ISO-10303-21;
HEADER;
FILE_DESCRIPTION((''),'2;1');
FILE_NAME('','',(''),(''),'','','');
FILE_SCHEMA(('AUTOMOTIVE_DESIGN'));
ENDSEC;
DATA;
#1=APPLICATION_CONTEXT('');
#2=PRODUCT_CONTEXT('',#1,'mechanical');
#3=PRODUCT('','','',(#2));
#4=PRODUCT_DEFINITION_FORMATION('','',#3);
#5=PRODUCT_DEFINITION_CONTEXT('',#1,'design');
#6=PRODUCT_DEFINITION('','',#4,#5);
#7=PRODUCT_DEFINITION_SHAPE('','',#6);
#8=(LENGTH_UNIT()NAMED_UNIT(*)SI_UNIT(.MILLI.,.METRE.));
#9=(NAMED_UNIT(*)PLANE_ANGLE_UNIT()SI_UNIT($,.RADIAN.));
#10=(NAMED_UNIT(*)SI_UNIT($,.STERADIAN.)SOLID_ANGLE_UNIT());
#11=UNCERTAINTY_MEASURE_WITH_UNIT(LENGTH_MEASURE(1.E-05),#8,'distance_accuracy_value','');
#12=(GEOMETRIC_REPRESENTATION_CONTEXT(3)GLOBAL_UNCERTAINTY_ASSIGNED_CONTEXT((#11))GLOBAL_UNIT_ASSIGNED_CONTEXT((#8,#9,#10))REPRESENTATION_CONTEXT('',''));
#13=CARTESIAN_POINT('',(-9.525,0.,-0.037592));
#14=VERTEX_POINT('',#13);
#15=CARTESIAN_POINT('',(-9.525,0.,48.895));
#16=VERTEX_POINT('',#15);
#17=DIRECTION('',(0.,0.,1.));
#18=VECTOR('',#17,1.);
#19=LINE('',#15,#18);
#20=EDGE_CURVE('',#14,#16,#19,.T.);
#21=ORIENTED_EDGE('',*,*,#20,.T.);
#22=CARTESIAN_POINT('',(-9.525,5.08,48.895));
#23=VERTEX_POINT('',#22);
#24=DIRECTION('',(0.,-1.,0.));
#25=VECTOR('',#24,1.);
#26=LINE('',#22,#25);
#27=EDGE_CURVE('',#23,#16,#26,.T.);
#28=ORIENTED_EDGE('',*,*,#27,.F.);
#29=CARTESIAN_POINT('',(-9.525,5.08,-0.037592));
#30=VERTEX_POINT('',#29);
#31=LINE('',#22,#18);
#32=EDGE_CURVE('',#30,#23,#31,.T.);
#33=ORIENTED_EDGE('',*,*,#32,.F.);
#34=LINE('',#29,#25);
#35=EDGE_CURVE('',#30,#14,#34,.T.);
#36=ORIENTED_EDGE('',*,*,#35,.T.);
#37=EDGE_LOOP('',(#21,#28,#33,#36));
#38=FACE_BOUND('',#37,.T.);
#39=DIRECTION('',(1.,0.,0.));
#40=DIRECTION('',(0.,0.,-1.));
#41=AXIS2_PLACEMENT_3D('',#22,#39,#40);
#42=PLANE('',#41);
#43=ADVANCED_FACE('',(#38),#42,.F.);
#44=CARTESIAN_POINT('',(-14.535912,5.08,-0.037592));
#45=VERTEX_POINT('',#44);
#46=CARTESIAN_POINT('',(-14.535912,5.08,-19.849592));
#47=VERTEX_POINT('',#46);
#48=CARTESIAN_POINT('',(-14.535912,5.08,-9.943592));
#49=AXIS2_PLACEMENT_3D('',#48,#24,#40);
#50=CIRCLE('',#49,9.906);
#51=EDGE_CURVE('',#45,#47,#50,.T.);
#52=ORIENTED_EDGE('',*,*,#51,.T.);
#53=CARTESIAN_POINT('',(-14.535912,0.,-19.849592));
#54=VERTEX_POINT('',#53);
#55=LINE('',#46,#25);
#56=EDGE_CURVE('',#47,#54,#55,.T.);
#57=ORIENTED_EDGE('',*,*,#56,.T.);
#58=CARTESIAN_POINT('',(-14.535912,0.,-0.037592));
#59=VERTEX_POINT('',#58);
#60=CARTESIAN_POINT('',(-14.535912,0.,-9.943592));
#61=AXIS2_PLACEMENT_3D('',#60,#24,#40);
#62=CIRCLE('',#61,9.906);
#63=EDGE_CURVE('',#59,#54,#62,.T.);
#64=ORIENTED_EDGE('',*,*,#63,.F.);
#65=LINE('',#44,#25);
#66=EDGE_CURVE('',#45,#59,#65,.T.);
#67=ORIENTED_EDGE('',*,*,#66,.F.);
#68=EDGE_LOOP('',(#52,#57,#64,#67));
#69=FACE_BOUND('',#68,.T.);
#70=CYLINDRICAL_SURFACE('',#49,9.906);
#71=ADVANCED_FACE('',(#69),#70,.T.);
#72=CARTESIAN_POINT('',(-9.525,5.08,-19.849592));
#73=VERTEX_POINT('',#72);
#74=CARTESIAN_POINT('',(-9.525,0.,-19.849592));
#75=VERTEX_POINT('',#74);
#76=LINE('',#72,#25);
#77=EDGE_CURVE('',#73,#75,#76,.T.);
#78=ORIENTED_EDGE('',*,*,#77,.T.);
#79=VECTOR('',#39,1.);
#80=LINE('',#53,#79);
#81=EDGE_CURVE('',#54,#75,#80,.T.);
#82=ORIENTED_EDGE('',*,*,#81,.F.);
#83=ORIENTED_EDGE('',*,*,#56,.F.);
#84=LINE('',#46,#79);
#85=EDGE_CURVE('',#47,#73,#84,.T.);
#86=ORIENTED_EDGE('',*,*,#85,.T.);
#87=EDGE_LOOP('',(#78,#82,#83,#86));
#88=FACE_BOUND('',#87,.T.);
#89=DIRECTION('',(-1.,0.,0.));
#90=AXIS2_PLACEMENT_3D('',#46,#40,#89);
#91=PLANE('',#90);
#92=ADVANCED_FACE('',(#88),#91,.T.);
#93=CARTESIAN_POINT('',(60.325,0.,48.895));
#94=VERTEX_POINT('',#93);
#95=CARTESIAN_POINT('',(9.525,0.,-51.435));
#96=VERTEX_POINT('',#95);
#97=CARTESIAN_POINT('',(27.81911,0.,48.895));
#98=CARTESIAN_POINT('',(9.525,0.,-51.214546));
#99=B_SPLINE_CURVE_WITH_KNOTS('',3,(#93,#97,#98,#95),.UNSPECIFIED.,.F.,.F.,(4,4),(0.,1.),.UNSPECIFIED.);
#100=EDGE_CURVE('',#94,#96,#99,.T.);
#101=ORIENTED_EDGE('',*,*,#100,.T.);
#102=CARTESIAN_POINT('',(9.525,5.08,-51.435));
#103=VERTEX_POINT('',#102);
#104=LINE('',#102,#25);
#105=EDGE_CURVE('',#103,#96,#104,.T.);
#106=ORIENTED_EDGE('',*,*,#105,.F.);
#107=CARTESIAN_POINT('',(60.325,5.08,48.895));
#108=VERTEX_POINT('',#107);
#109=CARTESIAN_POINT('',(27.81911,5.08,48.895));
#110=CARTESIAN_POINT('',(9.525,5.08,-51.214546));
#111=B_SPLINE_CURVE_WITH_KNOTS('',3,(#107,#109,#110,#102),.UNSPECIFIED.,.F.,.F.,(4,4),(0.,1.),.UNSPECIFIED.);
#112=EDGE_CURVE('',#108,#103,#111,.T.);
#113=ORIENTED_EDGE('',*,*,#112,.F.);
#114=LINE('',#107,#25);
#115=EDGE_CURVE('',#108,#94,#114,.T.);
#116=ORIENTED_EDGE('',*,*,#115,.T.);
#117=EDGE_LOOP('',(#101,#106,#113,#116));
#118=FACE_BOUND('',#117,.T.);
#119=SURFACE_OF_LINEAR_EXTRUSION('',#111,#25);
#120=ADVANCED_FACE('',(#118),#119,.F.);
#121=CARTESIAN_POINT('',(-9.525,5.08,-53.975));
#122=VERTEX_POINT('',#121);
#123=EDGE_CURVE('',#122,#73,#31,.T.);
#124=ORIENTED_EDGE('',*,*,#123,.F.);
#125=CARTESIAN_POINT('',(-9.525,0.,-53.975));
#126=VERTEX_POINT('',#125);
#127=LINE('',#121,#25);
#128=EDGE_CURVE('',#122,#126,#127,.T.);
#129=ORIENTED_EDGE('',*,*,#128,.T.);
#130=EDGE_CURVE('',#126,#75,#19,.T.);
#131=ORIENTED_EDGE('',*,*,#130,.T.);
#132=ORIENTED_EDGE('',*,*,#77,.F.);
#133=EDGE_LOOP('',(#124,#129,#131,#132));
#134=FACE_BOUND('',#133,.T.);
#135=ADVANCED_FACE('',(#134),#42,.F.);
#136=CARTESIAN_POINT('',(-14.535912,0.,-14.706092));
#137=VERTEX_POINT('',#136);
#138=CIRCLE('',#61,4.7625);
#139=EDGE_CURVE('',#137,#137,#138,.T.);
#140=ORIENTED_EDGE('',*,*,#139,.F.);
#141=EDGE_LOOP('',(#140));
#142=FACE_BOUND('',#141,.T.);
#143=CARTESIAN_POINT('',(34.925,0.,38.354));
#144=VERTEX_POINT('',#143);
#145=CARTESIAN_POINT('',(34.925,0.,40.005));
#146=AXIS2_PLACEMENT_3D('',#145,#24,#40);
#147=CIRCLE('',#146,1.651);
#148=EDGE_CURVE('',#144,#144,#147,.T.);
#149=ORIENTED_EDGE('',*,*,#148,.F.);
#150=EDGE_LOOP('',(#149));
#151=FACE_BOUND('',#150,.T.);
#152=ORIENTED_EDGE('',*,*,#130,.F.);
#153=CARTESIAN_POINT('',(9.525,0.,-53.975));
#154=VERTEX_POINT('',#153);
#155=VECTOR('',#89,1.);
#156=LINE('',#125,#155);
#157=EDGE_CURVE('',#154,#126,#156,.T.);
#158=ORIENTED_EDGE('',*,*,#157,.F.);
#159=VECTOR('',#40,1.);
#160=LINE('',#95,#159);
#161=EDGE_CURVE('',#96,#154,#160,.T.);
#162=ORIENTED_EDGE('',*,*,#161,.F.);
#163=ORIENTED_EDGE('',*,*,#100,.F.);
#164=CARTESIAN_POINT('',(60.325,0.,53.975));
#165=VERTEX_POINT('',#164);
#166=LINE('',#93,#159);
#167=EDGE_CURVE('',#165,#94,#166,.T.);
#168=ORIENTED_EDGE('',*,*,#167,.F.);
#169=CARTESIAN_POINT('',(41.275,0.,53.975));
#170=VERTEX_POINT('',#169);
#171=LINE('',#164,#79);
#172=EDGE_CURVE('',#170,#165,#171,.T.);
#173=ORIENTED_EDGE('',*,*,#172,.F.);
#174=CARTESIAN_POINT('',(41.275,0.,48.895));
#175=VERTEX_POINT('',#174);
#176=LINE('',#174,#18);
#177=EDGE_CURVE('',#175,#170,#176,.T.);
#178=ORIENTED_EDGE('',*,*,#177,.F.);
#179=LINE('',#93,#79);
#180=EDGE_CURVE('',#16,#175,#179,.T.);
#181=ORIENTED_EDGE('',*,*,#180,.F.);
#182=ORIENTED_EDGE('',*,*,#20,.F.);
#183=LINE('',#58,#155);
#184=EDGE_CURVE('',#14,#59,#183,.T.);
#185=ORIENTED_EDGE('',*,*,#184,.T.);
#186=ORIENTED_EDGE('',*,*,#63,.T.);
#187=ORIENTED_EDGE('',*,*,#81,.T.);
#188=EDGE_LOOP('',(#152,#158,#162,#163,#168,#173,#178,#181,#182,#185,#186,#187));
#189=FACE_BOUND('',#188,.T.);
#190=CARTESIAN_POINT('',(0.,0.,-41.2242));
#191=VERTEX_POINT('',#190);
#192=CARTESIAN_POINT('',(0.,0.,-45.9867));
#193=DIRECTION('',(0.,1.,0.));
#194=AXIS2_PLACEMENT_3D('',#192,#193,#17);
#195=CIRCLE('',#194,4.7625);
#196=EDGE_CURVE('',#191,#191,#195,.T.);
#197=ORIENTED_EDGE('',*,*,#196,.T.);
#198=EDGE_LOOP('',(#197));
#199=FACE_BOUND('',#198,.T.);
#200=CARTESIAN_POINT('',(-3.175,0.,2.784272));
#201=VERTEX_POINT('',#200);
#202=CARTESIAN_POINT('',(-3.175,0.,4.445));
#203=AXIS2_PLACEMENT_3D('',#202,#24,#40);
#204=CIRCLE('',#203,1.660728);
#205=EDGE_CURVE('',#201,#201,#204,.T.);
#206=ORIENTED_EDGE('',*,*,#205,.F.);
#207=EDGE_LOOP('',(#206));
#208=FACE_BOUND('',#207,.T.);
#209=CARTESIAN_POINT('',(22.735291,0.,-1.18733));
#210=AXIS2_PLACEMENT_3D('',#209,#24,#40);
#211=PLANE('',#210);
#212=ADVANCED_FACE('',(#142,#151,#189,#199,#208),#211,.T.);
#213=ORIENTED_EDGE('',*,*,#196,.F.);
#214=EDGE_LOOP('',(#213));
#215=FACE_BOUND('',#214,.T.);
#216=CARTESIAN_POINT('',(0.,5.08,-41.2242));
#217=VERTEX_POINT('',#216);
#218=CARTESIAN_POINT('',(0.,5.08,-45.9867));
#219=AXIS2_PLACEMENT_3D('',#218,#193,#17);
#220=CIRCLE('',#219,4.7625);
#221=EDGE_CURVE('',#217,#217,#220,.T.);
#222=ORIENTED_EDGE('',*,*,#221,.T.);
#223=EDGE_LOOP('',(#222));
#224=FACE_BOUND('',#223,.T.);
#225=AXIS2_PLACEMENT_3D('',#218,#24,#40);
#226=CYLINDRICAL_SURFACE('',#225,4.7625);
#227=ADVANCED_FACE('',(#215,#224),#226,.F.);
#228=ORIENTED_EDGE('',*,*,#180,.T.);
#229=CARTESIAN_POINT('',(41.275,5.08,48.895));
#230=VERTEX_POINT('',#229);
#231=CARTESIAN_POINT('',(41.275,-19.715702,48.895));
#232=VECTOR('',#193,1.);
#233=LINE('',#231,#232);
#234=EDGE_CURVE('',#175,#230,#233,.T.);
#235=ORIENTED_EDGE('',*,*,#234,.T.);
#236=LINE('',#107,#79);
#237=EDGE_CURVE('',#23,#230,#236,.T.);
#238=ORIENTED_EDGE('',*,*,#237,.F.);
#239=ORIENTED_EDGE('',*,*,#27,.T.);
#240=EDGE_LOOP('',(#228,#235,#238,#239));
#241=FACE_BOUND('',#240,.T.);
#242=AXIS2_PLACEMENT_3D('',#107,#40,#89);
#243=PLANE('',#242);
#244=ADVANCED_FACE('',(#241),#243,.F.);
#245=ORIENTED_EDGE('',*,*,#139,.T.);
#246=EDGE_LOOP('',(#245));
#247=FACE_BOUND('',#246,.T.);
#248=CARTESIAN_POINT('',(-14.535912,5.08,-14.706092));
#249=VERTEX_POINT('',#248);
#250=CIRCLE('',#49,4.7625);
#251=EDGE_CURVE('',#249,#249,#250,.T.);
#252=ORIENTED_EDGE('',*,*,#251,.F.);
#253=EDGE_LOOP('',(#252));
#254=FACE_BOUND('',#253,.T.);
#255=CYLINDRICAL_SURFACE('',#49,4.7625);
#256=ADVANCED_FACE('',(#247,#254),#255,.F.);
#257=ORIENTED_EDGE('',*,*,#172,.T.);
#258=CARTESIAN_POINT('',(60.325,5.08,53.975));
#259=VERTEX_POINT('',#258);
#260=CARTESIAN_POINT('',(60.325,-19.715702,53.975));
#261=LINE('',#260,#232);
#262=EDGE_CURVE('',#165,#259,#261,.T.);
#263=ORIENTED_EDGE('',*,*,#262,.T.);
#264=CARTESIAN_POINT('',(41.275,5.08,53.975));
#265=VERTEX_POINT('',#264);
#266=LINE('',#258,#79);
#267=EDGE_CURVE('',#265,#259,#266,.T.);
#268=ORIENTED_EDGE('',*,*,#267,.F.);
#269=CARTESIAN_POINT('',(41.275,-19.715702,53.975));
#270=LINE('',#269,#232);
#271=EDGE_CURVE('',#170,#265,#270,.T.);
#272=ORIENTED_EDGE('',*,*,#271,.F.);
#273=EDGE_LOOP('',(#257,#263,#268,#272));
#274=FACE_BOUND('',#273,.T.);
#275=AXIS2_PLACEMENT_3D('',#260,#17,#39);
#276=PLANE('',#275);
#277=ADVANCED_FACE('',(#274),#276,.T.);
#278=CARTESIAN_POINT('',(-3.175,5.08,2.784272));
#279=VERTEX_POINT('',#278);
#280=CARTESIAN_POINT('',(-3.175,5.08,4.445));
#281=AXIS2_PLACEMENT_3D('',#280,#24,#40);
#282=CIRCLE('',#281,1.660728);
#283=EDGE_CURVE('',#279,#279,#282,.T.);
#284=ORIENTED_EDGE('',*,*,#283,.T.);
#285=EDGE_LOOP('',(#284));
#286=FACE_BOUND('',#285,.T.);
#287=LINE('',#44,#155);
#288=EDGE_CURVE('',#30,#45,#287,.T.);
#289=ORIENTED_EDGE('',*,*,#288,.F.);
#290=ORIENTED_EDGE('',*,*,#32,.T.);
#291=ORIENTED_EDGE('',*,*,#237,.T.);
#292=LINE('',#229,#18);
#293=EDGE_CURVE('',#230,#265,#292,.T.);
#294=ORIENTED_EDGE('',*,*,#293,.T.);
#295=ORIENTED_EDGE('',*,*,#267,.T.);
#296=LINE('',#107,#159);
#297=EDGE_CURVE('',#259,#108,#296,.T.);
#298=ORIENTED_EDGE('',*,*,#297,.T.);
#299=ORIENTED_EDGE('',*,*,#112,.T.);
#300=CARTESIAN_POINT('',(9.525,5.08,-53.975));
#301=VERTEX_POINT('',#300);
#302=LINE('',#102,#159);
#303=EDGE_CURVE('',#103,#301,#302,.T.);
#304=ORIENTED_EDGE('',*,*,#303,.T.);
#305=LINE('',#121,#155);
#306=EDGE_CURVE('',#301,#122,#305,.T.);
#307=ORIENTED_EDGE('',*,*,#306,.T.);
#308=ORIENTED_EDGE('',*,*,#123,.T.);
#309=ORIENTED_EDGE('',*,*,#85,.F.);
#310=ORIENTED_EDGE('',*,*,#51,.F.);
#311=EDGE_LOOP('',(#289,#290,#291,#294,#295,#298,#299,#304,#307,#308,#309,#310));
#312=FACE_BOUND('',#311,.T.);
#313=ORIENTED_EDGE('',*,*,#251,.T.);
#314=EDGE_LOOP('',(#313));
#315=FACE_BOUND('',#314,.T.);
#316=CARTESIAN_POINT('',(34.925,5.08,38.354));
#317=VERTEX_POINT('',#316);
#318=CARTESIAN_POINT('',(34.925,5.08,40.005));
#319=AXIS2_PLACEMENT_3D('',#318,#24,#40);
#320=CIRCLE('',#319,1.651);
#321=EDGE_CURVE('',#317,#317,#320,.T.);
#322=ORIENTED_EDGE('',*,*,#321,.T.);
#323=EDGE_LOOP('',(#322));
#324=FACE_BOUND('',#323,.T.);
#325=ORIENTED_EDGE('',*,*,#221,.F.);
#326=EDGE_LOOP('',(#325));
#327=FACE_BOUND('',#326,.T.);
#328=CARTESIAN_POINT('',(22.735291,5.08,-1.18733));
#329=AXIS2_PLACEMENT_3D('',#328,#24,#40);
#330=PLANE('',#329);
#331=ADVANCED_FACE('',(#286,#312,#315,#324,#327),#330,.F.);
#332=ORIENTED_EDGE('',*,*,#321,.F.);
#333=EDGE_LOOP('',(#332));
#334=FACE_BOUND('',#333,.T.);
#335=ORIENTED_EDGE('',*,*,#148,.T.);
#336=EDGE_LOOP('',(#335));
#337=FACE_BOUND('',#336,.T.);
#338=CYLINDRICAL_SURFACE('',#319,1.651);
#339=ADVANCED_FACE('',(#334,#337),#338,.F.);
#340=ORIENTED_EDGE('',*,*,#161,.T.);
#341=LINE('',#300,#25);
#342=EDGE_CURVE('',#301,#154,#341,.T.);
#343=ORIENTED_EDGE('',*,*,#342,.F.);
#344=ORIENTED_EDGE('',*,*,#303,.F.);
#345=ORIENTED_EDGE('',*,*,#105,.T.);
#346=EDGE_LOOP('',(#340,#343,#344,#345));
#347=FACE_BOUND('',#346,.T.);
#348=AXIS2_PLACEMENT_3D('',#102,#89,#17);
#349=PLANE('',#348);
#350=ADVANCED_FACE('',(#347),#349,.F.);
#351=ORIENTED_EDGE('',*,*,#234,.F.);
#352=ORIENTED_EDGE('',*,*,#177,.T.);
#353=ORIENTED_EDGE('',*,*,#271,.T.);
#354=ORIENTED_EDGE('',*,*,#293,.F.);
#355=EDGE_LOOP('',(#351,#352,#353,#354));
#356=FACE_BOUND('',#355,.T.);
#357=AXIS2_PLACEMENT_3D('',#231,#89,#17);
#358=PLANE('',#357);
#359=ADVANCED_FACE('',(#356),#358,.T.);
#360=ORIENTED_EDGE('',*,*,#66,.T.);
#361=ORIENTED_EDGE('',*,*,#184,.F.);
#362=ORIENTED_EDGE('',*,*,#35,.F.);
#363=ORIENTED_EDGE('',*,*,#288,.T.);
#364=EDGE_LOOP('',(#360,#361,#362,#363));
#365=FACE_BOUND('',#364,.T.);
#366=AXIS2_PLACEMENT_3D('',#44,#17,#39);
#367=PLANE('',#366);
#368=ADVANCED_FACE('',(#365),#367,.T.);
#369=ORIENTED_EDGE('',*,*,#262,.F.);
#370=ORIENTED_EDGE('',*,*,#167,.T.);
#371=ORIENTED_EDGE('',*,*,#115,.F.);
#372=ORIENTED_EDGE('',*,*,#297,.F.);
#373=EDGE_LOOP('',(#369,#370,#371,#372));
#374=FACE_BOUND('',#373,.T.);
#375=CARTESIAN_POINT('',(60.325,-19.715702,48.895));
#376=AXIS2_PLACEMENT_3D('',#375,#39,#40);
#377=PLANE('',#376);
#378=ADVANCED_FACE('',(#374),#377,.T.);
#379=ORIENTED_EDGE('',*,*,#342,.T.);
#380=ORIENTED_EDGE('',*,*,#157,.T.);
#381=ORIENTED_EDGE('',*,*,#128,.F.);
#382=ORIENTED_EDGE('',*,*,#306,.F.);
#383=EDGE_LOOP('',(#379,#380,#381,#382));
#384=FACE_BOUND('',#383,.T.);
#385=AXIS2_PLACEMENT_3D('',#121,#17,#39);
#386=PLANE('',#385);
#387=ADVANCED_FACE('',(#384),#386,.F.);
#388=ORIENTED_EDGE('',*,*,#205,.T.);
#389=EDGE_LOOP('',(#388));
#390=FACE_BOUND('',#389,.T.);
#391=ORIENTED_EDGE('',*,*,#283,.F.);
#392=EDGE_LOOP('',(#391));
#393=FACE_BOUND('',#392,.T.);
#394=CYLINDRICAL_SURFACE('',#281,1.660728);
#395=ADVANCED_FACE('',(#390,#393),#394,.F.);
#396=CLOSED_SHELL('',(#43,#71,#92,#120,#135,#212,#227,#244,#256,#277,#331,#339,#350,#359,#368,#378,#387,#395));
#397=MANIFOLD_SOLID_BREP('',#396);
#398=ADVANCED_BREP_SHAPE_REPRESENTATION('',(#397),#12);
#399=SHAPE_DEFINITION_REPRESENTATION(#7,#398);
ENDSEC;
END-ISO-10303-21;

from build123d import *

# Parameters (mm, degrees)
SKETCH1_R               = 4.7625
BOSS_EXTRUDE1_DEPTH     = 5.08
SKETCH4_W               = 19.05
SKETCH4_H               = 5.08
BOSS_EXTRUDE2_DEPTH     = 5.08
SKETCH5_R               = 1.651
SKETCH5_R_2             = 1.660728382
CUT_EXTRUDE1_DEPTH      = 1.0000001
CUT_EXTRUDE1_DEPTH_BACK = 6.0800001
SKETCH6_R               = 4.7625
BOSS_EXTRUDE3_DEPTH     = 5.08


with BuildPart() as part:
    # Sketch1 → Boss-Extrude1 (new body)
    with BuildSketch(Plane(origin=(0, 0, 0), x_dir=(1, 0, 0), z_dir=(0, 1, 0))):
        with BuildLine():
            Line((-9.525, 53.975), (9.525, 53.975))
            Line((9.525, 53.975), (9.525, 51.435))
            add(Edge.make_bspline(
                [(9.525, 51.435), (9.525, 51.21454564), (27.819109584, -48.895), (60.325, -48.895)],
                knots=[0, 0, 0, 0, 1, 1, 1, 1], degree=3))
            Line((60.325, -48.895), (-9.525, -48.895))
            Line((-9.525, -48.895), (-9.525, 53.975))
        make_face()
        with Locations((0, 45.9867)):
            Circle(SKETCH1_R, mode=Mode.SUBTRACT)
    extrude(amount=BOSS_EXTRUDE1_DEPTH)

    # Sketch4 → Boss-Extrude2 (add)
    with BuildSketch(Plane(origin=(0, 5.08, 0), x_dir=(1, 0, 0), z_dir=(0, 1, 0))):
        with Locations((50.8, -51.435)):
            Rectangle(SKETCH4_W, SKETCH4_H)
    extrude(amount=-BOSS_EXTRUDE2_DEPTH)

    # Sketch5 → Cut-Extrude1 (cut, two sides)
    with BuildSketch(Plane.XZ) as cut_extrude1_sk:
        with Locations((34.925, 40.005)):
            Circle(SKETCH5_R)
        with Locations((-3.175, 4.445)):
            Circle(SKETCH5_R_2)
    extrude(amount=CUT_EXTRUDE1_DEPTH, mode=Mode.SUBTRACT)
    extrude(cut_extrude1_sk.sketch, amount=-CUT_EXTRUDE1_DEPTH_BACK, mode=Mode.SUBTRACT)

    # Sketch6 → Boss-Extrude3 (add)
    with BuildSketch(Plane.XZ):
        with BuildLine():
            Line((-14.535912, -0.037592), (-9.525, -0.037592))
            Line((-9.525, -0.037592), (-9.525, -1.398441508))
            ThreePointArc((-9.525, -1.398441508), (-4.629912, -9.943592), (-9.525, -18.488742492))
            Line((-9.525, -18.488742492), (-9.525, -19.849592))
            Line((-9.525, -19.849592), (-14.535912, -19.849592))
            ThreePointArc((-14.535912, -19.849592), (-24.441912, -9.943592), (-14.535912, -0.037592))
        make_face()
        with Locations((-14.535912, -9.943592)):
            Circle(SKETCH6_R, mode=Mode.SUBTRACT)
    extrude(amount=-BOSS_EXTRUDE3_DEPTH)


solid = part.part
